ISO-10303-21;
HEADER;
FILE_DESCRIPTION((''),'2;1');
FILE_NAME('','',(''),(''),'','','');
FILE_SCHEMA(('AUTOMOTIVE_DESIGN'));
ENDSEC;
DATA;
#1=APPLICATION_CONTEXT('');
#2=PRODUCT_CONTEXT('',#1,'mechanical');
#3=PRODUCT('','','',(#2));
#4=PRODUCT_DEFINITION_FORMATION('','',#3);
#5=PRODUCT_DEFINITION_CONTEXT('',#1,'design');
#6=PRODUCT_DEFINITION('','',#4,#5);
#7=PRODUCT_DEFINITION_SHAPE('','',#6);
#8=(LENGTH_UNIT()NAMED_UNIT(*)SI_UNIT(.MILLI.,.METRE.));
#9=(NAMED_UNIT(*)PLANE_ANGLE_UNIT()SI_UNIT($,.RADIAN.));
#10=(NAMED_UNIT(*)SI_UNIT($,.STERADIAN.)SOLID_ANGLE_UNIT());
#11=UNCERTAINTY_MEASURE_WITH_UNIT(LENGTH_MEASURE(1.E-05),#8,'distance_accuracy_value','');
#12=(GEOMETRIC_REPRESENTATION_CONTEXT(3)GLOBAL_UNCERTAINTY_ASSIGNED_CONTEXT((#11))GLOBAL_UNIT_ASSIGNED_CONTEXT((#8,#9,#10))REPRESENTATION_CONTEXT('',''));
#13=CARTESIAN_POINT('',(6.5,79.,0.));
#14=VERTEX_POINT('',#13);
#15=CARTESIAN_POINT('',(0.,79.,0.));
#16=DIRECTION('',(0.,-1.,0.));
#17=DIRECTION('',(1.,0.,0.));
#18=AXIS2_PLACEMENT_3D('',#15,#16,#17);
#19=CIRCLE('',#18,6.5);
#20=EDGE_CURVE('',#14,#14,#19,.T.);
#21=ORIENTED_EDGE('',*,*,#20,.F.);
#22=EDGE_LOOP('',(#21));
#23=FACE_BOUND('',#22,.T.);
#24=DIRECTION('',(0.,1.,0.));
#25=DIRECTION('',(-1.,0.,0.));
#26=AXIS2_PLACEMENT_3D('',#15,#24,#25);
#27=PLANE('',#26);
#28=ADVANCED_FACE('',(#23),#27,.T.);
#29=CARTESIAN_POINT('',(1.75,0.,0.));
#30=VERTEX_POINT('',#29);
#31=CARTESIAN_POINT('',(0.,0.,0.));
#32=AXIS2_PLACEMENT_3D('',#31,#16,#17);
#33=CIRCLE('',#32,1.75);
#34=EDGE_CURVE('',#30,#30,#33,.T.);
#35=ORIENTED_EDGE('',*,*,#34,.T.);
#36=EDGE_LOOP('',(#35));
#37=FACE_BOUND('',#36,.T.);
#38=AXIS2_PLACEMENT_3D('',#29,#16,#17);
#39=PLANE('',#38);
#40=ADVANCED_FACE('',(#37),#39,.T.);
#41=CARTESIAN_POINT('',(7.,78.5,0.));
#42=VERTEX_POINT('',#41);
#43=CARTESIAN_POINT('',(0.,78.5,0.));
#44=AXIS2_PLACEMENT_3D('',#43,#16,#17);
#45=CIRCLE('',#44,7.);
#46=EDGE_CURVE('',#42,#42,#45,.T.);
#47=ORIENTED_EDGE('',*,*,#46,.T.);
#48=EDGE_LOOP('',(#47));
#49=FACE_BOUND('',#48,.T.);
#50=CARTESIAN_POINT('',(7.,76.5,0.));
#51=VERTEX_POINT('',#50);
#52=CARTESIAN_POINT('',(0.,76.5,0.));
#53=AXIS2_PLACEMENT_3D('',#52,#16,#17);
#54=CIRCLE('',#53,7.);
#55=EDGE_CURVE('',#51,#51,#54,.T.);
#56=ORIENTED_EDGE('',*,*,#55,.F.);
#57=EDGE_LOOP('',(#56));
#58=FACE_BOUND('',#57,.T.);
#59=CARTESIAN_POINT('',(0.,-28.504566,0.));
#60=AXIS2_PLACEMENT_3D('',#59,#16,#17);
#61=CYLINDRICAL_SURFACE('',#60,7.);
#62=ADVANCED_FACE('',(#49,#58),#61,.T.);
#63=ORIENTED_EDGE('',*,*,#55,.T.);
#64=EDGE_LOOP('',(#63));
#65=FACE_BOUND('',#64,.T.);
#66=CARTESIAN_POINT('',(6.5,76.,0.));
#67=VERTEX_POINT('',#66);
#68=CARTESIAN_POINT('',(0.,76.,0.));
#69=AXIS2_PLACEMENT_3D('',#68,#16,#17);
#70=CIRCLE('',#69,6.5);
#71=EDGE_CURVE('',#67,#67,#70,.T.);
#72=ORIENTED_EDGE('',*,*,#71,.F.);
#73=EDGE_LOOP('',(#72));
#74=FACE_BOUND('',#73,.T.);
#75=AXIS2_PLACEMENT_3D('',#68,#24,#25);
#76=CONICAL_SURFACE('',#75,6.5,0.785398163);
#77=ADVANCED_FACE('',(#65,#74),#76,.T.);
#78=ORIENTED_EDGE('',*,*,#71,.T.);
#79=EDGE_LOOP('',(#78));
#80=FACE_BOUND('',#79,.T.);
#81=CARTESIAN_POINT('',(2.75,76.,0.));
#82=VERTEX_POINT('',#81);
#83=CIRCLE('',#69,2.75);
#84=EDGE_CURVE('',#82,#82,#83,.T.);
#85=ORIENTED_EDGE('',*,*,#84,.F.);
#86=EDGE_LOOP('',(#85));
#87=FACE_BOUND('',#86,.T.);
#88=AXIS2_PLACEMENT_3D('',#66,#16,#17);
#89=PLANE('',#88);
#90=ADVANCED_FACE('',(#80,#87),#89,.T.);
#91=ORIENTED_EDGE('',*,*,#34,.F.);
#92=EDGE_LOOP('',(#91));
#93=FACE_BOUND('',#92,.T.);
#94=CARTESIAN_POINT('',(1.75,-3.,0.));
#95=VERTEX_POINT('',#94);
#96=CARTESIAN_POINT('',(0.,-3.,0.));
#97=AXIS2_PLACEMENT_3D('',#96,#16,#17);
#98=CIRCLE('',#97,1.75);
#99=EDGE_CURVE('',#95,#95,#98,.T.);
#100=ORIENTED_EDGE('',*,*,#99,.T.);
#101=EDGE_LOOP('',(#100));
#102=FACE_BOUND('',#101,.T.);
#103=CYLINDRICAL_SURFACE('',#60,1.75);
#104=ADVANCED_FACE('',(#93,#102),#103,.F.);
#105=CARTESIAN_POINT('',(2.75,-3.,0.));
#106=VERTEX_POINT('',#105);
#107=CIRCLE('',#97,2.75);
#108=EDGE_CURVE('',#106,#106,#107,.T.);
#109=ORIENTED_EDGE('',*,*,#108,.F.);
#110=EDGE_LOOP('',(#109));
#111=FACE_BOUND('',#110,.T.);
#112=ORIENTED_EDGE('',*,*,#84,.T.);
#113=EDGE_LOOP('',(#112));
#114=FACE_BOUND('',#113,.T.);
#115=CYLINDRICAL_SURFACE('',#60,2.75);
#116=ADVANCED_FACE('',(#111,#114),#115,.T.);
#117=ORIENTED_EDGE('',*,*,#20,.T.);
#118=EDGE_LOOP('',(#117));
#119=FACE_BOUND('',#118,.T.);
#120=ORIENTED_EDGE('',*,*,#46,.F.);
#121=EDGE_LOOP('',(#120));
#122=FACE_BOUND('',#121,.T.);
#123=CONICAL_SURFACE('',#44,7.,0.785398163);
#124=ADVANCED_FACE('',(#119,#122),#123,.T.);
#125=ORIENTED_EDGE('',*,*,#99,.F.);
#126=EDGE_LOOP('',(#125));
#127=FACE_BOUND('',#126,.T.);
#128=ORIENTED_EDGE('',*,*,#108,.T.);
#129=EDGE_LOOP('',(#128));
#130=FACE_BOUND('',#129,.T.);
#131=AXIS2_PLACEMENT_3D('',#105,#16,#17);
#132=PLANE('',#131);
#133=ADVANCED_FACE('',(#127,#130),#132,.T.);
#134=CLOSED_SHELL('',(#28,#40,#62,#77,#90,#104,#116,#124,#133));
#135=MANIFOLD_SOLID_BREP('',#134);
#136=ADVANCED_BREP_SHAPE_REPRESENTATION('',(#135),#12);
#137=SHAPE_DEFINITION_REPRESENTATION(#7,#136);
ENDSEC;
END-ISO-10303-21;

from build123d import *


with BuildPart() as part:
    # Sketch2 → Revolve1 (revolve)
    with BuildSketch(Plane.XY):
        Polygon((0, 0), (0, 79), (6.5, 79), (7, 78.5), (7, 76.5), (6.5, 76), (2.75, 76), (2.75, -3), (1.75, -3), (1.75, 0), align=None)
    revolve(axis=Axis((0, -28.504565853, 0), (0, 1, 0)))


solid = part.part
